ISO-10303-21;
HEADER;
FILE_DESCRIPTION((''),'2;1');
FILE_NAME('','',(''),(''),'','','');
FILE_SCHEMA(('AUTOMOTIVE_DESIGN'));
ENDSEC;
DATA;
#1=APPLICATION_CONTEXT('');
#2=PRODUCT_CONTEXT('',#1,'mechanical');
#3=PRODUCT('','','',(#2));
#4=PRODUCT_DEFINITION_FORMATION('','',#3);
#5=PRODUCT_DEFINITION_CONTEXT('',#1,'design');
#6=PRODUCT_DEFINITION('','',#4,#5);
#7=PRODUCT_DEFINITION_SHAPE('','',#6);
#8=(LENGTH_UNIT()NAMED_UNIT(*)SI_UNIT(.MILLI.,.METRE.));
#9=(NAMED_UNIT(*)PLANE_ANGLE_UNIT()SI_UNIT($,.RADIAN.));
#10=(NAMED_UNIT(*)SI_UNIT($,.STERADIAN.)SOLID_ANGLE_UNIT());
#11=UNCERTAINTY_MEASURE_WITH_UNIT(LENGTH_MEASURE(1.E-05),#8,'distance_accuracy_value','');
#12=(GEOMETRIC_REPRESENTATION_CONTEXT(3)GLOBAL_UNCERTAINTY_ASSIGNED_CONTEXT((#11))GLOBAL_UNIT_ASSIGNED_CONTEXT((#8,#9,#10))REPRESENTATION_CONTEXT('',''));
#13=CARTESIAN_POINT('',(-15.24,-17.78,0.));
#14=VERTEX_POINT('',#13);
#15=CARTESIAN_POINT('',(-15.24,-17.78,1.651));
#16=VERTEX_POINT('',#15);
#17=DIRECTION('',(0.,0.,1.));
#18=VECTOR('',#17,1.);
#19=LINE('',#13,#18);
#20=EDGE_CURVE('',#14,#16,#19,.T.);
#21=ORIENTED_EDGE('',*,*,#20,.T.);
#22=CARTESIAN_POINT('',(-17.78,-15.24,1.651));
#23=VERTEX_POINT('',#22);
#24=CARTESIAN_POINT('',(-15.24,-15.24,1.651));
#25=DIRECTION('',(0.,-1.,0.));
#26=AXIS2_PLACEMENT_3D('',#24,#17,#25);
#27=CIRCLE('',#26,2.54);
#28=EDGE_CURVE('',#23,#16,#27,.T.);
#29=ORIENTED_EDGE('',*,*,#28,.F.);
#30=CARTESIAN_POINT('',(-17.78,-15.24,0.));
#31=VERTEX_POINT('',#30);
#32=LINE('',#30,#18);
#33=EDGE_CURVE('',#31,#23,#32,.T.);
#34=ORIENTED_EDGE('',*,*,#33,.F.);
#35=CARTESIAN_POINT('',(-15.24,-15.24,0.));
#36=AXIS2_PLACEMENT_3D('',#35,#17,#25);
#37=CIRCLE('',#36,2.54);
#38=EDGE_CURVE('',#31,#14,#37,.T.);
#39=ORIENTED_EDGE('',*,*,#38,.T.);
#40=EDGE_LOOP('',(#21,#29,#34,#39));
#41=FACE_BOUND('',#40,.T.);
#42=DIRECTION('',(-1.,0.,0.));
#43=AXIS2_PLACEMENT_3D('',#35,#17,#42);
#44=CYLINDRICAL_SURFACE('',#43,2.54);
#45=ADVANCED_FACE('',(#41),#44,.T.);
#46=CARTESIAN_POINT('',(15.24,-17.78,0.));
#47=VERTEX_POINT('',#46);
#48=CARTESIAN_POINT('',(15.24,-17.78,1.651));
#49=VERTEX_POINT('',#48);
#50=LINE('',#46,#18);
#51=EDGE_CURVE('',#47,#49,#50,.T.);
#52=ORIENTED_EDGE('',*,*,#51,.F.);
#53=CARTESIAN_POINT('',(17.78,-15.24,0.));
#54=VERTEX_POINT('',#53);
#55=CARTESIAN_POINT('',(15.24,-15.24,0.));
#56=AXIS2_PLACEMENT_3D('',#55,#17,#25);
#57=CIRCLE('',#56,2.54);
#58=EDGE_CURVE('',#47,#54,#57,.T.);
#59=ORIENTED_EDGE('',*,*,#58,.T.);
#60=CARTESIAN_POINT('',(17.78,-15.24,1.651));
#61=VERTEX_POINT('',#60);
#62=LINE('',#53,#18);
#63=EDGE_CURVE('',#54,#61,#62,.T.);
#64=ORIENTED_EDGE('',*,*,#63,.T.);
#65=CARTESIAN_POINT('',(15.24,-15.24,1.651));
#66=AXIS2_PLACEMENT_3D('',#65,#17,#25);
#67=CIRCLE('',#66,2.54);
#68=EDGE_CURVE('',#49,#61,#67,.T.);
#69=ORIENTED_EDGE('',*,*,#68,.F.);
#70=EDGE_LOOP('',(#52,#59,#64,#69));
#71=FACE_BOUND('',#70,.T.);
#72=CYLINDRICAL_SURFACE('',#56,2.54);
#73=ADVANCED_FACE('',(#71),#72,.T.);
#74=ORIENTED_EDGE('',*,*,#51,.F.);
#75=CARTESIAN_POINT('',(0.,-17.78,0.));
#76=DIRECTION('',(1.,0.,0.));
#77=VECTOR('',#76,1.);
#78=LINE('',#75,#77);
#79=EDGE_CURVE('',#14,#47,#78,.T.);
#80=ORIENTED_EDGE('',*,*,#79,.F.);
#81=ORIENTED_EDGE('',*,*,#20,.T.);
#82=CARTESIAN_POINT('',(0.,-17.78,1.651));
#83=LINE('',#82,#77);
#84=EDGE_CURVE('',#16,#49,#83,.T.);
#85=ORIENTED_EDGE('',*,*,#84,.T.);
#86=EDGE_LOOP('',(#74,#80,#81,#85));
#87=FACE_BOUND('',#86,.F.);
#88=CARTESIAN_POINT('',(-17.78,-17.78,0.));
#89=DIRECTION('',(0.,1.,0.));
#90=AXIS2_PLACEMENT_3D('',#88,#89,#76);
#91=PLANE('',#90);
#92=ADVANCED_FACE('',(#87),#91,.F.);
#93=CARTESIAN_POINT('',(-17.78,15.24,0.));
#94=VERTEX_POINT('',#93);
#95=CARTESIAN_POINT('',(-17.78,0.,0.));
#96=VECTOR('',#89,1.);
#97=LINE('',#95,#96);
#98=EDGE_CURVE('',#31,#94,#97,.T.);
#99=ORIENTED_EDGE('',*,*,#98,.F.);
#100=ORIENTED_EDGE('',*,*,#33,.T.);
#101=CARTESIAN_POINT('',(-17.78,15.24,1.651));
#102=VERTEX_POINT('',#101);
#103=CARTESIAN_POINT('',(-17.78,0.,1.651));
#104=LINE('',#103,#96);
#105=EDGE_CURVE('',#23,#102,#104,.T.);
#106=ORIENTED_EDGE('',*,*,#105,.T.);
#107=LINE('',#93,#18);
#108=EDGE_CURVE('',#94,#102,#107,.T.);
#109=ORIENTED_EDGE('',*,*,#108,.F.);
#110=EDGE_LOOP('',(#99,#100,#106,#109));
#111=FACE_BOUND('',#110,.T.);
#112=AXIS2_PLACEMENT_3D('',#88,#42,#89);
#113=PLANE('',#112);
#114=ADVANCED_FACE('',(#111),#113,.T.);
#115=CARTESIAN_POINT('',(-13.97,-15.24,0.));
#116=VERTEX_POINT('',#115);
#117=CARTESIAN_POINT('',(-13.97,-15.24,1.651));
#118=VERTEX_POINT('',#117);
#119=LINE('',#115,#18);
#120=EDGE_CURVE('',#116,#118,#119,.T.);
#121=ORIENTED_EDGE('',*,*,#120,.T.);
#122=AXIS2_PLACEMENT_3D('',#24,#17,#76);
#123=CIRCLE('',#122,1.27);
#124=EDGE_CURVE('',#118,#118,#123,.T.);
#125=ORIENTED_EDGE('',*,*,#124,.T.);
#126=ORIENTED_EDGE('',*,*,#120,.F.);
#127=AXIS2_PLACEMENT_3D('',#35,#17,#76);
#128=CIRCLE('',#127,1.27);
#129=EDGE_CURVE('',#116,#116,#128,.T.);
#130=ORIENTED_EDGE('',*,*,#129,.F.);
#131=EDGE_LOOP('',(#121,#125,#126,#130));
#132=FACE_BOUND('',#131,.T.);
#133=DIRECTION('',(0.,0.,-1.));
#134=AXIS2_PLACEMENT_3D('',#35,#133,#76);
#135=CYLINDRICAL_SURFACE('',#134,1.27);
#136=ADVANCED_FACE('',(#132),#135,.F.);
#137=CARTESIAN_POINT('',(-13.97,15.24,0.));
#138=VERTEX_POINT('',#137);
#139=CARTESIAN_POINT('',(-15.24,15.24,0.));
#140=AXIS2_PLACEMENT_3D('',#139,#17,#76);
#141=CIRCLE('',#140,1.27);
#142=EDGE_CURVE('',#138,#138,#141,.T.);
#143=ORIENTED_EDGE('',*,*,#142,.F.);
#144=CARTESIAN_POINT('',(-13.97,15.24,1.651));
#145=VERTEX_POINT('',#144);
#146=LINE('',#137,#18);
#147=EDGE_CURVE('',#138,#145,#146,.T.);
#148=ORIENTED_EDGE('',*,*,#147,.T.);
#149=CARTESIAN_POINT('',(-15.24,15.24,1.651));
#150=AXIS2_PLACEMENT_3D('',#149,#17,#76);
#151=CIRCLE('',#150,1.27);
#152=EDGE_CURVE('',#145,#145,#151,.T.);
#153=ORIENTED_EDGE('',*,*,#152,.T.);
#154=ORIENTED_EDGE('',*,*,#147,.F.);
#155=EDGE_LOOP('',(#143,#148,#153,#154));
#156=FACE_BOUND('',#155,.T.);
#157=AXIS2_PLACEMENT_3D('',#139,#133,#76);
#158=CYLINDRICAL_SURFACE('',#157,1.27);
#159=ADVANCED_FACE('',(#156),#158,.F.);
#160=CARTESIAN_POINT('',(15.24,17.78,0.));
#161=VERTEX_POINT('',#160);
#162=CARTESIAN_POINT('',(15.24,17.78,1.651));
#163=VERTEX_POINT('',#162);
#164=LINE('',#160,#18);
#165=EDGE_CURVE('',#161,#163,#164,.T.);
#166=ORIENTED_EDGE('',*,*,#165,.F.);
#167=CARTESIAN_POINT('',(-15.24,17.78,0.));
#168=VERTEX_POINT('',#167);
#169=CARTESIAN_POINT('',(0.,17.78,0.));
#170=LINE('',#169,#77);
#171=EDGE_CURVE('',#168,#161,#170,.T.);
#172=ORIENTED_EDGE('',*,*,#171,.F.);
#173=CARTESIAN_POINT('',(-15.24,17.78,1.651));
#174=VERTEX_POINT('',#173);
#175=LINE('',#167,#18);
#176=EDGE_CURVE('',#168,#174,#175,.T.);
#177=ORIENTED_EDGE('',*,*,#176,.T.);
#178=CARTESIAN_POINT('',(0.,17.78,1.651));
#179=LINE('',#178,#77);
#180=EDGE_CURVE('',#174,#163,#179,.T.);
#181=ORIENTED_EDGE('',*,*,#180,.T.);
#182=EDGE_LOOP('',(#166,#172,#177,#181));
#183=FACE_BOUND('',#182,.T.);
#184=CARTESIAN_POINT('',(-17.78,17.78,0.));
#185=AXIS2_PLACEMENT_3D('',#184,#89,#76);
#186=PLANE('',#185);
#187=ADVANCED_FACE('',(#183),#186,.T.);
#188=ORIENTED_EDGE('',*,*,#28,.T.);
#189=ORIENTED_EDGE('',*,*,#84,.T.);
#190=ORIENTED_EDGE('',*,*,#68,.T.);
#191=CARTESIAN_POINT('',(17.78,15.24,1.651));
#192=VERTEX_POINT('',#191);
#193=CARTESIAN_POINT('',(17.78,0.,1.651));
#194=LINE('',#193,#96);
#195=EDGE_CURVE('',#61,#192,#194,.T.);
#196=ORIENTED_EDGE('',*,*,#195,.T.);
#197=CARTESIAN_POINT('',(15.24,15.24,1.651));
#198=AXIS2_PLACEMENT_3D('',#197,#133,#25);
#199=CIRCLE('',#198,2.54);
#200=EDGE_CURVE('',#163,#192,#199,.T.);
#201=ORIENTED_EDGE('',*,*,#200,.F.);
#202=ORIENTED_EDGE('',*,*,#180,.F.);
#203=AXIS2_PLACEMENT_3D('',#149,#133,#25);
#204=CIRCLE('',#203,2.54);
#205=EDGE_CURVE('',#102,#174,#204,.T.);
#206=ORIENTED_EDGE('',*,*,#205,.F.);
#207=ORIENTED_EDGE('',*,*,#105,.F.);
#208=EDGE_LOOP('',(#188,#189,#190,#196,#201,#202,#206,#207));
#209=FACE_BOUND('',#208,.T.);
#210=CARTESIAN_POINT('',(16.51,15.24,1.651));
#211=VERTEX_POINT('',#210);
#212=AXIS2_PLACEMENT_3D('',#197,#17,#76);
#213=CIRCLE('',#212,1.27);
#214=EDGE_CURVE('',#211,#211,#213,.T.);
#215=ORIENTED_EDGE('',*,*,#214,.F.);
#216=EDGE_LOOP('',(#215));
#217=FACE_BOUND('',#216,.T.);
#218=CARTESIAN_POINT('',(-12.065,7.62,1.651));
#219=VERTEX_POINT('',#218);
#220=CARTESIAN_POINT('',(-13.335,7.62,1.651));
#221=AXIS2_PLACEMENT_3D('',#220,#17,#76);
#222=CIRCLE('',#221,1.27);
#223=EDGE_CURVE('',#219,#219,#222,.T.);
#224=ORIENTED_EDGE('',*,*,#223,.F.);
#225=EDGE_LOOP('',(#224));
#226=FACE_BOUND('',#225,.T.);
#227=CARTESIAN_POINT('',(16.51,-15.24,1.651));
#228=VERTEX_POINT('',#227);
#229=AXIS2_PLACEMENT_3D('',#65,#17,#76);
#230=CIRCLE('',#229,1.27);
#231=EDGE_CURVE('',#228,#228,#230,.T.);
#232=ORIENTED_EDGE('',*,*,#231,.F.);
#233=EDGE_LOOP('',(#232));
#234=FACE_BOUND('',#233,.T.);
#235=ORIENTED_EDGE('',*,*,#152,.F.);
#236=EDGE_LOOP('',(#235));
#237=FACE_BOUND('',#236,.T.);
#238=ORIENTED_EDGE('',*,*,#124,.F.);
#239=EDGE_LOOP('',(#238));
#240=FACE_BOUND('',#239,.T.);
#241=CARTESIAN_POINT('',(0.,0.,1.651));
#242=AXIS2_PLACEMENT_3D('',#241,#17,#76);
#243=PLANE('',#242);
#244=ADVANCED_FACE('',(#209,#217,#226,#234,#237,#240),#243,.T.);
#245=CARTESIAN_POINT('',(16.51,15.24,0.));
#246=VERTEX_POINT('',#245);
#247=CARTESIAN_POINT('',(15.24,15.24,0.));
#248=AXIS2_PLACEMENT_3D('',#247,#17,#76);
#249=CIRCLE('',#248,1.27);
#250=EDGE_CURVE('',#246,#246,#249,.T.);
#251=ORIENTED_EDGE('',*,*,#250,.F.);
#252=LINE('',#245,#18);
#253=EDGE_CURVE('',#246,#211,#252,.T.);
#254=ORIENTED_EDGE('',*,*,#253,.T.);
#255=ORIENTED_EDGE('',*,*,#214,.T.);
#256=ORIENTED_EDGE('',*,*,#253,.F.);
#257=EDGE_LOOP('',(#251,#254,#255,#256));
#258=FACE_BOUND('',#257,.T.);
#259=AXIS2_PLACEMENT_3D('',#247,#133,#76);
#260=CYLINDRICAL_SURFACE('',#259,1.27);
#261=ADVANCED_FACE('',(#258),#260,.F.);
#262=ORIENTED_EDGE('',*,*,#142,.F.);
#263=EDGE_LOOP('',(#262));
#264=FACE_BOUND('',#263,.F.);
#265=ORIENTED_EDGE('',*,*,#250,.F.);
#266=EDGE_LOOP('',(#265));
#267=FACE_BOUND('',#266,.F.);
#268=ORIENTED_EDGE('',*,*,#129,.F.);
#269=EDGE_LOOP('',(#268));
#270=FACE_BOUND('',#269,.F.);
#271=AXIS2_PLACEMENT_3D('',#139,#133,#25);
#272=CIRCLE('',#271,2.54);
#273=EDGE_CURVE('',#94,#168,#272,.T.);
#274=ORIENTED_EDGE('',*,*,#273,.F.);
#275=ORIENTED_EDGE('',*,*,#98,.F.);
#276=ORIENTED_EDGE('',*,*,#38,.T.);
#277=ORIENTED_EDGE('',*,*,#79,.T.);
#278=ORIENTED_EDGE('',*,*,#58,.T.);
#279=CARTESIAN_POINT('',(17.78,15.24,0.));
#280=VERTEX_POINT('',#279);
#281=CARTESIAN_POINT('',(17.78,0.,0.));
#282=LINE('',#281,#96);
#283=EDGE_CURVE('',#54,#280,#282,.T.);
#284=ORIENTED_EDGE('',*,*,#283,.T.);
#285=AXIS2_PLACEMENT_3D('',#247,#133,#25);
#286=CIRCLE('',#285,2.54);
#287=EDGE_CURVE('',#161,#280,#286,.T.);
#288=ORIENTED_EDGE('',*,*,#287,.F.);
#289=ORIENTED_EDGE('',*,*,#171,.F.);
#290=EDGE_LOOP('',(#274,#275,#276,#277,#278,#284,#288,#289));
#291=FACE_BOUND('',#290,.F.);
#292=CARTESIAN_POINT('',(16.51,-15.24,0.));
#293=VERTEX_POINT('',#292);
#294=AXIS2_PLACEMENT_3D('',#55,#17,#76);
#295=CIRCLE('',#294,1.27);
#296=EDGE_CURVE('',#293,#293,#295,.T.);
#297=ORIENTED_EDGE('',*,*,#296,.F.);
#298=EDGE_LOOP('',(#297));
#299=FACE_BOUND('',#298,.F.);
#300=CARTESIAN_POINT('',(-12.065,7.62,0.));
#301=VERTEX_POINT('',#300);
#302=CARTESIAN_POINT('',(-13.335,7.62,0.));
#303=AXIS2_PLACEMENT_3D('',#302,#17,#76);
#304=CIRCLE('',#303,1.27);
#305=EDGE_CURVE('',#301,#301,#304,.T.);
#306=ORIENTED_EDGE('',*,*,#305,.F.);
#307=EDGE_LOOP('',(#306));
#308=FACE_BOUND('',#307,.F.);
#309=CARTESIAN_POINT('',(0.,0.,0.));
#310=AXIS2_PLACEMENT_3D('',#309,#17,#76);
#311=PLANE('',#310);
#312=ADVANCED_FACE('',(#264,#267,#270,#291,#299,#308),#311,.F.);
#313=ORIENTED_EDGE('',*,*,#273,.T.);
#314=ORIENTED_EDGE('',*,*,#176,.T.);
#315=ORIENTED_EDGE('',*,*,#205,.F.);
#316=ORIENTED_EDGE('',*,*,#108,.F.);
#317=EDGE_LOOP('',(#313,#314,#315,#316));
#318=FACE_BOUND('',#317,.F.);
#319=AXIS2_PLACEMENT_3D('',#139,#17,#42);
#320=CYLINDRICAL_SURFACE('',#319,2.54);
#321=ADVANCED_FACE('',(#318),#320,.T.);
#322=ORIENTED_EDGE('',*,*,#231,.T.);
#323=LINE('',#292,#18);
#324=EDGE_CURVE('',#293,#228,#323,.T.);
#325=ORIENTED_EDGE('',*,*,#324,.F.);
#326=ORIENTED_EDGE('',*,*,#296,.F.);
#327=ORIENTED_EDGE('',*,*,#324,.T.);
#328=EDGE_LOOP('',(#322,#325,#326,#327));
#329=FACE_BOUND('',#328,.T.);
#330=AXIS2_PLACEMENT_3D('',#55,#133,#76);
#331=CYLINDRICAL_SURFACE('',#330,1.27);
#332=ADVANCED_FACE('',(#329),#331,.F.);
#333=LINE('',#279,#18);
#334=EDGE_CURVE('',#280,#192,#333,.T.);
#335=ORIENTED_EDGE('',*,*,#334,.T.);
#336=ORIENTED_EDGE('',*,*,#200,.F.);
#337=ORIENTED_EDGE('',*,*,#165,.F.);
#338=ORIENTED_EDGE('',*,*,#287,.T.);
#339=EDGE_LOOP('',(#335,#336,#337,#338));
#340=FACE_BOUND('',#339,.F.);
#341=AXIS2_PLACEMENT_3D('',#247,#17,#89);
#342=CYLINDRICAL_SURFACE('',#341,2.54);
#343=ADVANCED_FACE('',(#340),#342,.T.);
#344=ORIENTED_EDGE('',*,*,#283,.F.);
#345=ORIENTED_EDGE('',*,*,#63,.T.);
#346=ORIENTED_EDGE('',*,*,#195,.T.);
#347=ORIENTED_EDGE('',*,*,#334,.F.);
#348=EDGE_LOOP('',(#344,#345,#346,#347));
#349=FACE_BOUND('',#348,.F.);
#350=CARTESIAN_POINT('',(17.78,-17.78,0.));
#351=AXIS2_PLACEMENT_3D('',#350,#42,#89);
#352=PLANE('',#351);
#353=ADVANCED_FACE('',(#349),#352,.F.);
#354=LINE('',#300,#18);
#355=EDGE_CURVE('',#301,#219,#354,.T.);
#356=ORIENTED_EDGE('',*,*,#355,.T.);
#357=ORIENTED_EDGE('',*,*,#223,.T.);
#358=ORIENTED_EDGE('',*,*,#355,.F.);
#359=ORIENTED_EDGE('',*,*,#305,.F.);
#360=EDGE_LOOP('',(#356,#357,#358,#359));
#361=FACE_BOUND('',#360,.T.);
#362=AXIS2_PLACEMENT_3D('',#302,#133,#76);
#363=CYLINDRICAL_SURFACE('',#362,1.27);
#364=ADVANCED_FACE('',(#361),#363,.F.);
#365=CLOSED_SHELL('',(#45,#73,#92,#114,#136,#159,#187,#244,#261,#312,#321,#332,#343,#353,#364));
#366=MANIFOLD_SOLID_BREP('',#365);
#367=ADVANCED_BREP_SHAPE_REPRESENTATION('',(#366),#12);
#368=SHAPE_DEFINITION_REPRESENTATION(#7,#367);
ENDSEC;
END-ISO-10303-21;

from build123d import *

# Parameters (mm, degrees)
F0_W     = 35.56
F0_H     = 35.56
F0_R     = 1.27
F1_DEPTH = 1.651
F2_R     = 2.54


with BuildPart() as f1:
    # F0 (on Top) → F1 (new body)
    with BuildSketch(Plane.XY):
        Rectangle(F0_W, F0_H)
        with Locations((-15.24, -15.24)):
            Circle(F0_R, mode=Mode.SUBTRACT)
        with Locations((15.24, -15.24)):
            Circle(F0_R, mode=Mode.SUBTRACT)
        with Locations((-13.335, 7.62)):
            Circle(F0_R, mode=Mode.SUBTRACT)
        with Locations((-15.24, 15.24)):
            Circle(F0_R, mode=Mode.SUBTRACT)
        with Locations((15.24, 15.24)):
            Circle(F0_R, mode=Mode.SUBTRACT)
    extrude(amount=F1_DEPTH)

    # F2
    f2_edges = [f1.edges().sort_by_distance(p)[0] for p in [
        (-17.78, 17.78, 0.8255),
        (-17.78, -17.78, 0.8255),
        (17.78, -17.78, 0.8255),
        (17.78, 17.78, 0.8255),
    ]]
    fillet(f2_edges, radius=F2_R)


solid = f1.part
